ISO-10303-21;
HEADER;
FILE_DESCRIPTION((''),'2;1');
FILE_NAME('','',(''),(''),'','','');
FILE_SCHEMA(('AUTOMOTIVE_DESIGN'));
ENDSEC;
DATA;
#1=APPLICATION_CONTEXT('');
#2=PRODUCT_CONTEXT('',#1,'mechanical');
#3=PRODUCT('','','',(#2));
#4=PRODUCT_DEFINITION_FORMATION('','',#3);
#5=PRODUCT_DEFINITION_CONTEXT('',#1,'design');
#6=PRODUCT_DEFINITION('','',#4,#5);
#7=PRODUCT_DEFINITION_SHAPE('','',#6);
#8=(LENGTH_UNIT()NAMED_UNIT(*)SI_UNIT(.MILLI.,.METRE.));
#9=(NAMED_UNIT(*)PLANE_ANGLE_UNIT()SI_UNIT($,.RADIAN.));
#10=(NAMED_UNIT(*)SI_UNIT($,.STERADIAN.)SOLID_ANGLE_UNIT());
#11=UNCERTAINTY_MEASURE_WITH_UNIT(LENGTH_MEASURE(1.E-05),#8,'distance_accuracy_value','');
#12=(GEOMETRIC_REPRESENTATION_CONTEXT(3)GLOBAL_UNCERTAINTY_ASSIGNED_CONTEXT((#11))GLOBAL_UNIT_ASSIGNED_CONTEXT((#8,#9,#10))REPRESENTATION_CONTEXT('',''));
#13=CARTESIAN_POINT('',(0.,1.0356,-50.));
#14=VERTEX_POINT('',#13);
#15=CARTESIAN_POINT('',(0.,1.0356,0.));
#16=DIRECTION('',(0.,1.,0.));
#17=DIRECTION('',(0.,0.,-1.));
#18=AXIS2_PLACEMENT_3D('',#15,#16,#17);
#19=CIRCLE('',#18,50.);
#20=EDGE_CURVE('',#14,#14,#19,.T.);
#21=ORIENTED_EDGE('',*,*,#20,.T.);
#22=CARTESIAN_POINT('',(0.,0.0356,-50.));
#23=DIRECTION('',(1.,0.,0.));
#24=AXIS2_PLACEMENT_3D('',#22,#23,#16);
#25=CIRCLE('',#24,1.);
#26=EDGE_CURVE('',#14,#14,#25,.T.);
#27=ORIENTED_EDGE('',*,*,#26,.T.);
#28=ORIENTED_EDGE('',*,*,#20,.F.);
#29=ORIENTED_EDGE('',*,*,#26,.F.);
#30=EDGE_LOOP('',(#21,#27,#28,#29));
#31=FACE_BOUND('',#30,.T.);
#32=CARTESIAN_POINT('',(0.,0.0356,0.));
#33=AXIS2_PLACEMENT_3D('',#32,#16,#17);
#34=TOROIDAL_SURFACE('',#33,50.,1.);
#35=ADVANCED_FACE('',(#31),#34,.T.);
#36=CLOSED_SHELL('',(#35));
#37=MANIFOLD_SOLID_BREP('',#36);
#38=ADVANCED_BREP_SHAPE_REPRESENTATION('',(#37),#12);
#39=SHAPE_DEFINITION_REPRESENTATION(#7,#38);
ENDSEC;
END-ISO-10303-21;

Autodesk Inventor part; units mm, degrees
ref_plane "YZ Plane" through (0, 0, 0) normal (1, 0, 0) x (0, 1, 0)
ref_plane "XZ Plane" through (0, 0, 0) normal (0, 1, 0) x (-1, 0, 0)
ref_plane "XY Plane" through (0, 0, 0) normal (0, 0, 1) x (1, 0, 0)
sketch "Sketch1" plane through (0, 0, 0) normal (1, 0, 0) x (0, 1, 0)
  circle A0 centre (0.0356, -50) radius 1
  line L0 (-1.3645, 0) -> (1.4356, 0) projected
  point P0 (0, 0)
  dimension "d1" = 2
  dimension "d2" = 50
revolve "Revolution1" add sketch "Sketch1" angle 360 about axis through (0, -10, 0) along (0, 1, 0)
properties part number "ConnectingRing"
